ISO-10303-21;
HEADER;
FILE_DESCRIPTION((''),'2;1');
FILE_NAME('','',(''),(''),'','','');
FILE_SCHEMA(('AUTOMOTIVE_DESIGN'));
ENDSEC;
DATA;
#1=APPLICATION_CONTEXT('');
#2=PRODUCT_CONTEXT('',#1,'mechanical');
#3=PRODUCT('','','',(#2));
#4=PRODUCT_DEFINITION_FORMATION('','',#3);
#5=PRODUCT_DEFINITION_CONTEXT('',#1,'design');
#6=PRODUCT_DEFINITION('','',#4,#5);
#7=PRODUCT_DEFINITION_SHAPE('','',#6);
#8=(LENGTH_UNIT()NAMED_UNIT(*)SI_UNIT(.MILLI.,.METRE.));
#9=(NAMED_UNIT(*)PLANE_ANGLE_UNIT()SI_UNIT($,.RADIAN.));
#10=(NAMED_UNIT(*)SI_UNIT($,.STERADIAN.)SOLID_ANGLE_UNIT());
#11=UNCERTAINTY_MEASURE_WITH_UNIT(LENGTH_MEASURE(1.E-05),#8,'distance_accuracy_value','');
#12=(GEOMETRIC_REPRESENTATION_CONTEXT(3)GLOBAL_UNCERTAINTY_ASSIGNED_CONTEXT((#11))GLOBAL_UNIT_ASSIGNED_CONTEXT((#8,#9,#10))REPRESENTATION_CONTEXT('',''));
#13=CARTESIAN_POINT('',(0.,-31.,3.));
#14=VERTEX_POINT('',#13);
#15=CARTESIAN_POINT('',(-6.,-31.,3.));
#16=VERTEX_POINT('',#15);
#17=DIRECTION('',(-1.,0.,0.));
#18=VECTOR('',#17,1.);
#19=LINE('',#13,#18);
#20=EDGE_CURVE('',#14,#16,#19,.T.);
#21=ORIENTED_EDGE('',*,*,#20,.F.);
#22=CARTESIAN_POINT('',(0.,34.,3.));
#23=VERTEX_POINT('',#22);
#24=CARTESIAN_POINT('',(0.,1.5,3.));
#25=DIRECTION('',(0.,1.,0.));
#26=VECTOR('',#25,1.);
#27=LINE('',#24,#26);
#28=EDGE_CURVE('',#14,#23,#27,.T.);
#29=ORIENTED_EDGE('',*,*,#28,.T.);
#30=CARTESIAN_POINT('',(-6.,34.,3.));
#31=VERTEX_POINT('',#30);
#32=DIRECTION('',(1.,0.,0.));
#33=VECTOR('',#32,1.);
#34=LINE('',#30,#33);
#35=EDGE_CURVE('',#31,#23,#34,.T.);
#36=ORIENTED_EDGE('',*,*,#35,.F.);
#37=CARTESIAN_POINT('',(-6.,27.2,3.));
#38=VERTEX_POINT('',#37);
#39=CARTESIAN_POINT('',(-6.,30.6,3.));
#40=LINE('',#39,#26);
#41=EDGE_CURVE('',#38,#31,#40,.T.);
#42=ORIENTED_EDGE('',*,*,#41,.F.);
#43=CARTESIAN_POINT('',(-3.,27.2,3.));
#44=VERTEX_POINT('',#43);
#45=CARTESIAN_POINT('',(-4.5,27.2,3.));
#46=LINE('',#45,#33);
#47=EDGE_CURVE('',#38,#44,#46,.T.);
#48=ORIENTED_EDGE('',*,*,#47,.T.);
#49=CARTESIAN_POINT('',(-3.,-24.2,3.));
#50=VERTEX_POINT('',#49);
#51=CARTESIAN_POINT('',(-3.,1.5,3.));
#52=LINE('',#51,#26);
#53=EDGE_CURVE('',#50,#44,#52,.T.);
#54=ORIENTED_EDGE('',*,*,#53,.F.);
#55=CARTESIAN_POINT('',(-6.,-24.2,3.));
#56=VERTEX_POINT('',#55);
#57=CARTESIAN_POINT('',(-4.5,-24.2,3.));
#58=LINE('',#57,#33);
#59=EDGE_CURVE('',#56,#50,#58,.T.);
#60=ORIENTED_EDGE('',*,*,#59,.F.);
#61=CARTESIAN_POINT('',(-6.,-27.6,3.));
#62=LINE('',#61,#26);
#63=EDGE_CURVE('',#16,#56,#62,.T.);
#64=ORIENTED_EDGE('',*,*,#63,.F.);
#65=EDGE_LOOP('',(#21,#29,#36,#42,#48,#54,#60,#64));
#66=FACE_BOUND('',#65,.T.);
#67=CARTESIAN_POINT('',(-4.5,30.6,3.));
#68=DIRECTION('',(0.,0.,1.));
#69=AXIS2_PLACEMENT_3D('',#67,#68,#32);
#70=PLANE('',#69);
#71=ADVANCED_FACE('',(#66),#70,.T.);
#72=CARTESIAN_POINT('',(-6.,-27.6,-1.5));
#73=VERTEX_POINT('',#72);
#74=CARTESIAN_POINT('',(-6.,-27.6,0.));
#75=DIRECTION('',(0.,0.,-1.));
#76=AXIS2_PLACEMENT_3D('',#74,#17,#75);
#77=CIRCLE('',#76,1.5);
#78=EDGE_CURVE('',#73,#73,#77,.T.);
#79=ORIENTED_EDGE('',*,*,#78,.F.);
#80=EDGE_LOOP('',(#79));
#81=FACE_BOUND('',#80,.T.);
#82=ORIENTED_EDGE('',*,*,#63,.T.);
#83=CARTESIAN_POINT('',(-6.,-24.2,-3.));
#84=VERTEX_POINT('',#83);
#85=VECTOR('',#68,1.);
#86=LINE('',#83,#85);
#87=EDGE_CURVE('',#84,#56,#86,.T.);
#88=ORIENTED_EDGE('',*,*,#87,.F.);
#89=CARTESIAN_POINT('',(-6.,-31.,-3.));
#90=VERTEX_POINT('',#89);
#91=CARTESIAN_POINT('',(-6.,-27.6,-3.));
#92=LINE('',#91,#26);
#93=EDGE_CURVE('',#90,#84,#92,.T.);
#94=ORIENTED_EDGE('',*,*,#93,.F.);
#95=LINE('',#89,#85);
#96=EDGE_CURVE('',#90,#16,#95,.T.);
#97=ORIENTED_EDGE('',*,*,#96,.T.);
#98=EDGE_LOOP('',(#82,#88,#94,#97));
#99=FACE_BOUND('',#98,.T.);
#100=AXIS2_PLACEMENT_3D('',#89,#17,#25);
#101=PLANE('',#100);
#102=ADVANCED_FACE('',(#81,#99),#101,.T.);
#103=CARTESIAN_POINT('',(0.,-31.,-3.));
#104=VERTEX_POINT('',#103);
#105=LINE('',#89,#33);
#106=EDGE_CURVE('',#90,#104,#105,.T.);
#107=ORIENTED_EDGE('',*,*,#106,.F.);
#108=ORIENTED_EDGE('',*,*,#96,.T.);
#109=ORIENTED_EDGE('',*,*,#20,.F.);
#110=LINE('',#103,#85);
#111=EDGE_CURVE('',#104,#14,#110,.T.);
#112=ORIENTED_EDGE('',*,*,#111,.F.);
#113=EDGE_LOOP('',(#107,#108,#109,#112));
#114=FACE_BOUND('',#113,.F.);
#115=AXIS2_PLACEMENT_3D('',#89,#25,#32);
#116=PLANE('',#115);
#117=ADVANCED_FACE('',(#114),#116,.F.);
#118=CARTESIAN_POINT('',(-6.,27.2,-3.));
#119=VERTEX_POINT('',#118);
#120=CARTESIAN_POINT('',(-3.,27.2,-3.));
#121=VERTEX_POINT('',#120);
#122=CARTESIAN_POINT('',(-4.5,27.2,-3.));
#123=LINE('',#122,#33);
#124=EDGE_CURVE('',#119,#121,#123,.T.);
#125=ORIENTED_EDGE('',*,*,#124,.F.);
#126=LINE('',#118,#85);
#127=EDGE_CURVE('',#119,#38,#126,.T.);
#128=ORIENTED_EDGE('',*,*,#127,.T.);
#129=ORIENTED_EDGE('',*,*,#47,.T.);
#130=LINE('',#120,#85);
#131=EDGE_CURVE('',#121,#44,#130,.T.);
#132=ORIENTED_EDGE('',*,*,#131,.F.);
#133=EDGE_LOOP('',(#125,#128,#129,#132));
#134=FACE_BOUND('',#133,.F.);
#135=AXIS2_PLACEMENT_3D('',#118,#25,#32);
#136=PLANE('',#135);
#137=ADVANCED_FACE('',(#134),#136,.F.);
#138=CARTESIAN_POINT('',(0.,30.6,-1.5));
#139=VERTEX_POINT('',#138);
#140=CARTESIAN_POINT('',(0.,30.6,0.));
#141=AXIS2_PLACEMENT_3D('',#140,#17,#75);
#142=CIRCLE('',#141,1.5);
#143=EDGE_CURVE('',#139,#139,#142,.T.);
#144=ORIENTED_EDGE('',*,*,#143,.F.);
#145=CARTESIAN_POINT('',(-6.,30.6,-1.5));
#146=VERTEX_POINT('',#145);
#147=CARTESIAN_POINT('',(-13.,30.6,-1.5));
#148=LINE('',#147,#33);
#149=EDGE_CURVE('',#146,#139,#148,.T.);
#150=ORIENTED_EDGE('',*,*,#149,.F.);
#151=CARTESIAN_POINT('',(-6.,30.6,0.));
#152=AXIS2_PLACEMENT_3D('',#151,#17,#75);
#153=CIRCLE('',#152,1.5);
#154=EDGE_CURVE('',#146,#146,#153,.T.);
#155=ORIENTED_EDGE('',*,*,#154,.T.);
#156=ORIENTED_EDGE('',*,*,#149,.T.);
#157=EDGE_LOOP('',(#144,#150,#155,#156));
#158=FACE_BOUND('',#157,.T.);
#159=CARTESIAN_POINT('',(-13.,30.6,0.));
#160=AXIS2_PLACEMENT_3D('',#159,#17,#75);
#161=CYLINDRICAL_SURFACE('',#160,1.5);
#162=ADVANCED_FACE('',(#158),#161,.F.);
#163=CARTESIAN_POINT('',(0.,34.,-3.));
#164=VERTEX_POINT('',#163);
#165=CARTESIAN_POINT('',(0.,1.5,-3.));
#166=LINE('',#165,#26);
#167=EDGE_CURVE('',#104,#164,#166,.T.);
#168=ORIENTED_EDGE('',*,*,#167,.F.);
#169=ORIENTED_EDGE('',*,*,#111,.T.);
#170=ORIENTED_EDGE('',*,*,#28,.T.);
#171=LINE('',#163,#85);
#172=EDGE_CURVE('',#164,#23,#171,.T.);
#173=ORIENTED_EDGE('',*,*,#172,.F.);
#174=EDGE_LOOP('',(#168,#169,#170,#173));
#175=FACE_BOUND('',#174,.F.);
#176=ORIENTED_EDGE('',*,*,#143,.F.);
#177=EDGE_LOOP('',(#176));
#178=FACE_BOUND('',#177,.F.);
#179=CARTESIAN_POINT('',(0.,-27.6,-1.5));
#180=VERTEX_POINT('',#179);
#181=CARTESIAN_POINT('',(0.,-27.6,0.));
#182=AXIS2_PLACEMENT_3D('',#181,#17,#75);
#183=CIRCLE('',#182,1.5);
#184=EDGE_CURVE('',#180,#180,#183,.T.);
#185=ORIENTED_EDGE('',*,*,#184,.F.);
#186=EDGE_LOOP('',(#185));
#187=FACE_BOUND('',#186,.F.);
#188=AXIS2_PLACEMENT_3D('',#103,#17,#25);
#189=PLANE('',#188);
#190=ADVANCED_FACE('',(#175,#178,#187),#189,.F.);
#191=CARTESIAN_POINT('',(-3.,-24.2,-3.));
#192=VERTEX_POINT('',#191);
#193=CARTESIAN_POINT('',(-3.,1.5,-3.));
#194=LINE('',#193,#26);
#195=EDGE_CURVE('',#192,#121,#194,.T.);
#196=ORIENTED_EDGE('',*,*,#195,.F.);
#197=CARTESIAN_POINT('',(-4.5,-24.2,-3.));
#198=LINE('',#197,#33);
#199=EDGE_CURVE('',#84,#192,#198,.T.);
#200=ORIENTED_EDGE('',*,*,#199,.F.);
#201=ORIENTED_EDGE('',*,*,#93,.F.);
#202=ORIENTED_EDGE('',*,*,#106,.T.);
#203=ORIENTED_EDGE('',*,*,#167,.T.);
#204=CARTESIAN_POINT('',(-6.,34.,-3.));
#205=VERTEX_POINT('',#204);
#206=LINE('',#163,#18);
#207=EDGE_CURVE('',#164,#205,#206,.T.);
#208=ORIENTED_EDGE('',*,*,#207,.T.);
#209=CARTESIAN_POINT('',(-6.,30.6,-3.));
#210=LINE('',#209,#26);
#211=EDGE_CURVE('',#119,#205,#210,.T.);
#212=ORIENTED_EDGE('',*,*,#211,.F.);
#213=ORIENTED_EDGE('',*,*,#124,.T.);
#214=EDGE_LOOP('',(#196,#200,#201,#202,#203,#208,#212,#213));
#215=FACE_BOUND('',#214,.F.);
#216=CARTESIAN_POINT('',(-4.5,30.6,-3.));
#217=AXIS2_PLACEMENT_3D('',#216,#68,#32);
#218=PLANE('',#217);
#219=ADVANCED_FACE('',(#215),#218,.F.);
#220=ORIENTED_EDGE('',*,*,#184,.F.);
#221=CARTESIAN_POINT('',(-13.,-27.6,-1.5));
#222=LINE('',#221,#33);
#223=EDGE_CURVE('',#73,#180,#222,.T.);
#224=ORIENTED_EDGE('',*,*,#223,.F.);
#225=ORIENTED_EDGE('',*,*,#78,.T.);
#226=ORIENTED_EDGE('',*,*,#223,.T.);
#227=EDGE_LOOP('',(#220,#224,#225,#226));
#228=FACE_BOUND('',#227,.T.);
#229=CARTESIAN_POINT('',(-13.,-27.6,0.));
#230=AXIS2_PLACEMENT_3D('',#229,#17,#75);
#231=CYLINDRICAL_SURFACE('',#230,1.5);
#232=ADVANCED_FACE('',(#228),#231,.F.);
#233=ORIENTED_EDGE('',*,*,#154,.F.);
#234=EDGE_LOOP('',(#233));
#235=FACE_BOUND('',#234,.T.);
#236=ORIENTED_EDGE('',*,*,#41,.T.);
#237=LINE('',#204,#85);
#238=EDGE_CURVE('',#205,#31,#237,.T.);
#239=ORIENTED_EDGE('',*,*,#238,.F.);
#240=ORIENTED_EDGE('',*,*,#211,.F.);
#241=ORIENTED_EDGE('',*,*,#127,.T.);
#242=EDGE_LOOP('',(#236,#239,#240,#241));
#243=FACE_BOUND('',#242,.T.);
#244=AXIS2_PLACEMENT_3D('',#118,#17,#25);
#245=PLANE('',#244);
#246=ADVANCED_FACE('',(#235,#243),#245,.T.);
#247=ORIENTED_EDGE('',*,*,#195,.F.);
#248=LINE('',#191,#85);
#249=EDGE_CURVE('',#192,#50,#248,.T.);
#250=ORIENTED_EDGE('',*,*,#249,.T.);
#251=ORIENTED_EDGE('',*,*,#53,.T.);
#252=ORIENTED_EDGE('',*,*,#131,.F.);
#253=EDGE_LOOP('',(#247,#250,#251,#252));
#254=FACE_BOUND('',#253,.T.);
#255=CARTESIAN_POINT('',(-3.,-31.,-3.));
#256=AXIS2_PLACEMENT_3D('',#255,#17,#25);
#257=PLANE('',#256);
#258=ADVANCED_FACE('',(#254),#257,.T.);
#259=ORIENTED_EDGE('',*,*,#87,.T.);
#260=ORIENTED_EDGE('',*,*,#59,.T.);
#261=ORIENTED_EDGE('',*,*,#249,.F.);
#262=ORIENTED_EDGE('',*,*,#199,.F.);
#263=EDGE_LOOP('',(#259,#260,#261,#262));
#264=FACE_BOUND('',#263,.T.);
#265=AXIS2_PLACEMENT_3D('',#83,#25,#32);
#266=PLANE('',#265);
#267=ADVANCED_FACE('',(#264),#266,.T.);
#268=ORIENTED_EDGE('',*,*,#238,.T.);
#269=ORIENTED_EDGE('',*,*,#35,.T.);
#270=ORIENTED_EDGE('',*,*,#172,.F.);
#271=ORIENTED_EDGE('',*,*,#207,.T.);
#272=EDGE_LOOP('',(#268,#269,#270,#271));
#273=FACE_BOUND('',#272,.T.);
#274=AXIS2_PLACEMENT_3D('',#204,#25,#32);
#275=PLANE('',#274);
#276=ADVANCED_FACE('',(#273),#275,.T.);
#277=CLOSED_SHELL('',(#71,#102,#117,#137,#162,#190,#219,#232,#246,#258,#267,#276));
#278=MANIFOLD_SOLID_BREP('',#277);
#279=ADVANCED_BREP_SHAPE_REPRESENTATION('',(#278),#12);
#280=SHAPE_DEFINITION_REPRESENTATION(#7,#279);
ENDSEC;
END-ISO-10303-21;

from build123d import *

# Parameters (mm, degrees)
CYLINDER001_R     = 1.5
CYLINDER001_DEPTH = 14
CYLINDER_R        = 1.5
CYLINDER_DEPTH    = 14
BOX003_W          = 3
BOX003_H          = 6.8
BOX003_DEPTH      = 6
BOX002_W          = 3
BOX002_H          = 6.8
BOX002_DEPTH      = 6
BOX001_W          = 3
BOX001_H          = 65
BOX001_DEPTH      = 6


with BuildPart() as cylinder001:
    # Cylinder001 → Cylinder001 (new body)
    with BuildSketch(Plane(origin=(-13, 30.6, 0), x_dir=(0, 0, -1), z_dir=(1, 0, 0))):
        Circle(CYLINDER001_R)
    extrude(amount=CYLINDER001_DEPTH)


with BuildPart() as cylinder:
    # Cylinder → Cylinder (new body)
    with BuildSketch(Plane(origin=(-13, -27.6, 0), x_dir=(0, 0, -1), z_dir=(1, 0, 0))):
        Circle(CYLINDER_R)
    extrude(amount=CYLINDER_DEPTH)


with BuildPart() as cube003:
    # Box003 → Box003 (new body)
    with BuildSketch(Plane(origin=(-6, -31, -3), x_dir=(1, 0, 0), z_dir=(0, 0, 1))):
        with Locations((1.5, 3.4)):
            Rectangle(BOX003_W, BOX003_H)
    extrude(amount=BOX003_DEPTH)


with BuildPart() as cube002:
    # Box002 → Box002 (new body)
    with BuildSketch(Plane(origin=(-6, 27.2, -3), x_dir=(1, 0, 0), z_dir=(0, 0, 1))):
        with Locations((1.5, 3.4)):
            Rectangle(BOX002_W, BOX002_H)
    extrude(amount=BOX002_DEPTH)


with BuildPart() as cut002:
    # Box001 → Box001 (new body)
    with BuildSketch(Plane(origin=(-3, -31, -3), x_dir=(1, 0, 0), z_dir=(0, 0, 1))):
        with Locations((1.5, 32.5)):
            Rectangle(BOX001_W, BOX001_H)
    extrude(amount=BOX001_DEPTH)

    # Fusion: union Cube003, Cube002
    add(cube003.part)
    add(cube002.part)

    # Cut001: cut Cylinder
    add(cylinder.part, mode=Mode.SUBTRACT)

    # Cut002: cut Cylinder001
    add(cylinder001.part, mode=Mode.SUBTRACT)


solid = cut002.part
